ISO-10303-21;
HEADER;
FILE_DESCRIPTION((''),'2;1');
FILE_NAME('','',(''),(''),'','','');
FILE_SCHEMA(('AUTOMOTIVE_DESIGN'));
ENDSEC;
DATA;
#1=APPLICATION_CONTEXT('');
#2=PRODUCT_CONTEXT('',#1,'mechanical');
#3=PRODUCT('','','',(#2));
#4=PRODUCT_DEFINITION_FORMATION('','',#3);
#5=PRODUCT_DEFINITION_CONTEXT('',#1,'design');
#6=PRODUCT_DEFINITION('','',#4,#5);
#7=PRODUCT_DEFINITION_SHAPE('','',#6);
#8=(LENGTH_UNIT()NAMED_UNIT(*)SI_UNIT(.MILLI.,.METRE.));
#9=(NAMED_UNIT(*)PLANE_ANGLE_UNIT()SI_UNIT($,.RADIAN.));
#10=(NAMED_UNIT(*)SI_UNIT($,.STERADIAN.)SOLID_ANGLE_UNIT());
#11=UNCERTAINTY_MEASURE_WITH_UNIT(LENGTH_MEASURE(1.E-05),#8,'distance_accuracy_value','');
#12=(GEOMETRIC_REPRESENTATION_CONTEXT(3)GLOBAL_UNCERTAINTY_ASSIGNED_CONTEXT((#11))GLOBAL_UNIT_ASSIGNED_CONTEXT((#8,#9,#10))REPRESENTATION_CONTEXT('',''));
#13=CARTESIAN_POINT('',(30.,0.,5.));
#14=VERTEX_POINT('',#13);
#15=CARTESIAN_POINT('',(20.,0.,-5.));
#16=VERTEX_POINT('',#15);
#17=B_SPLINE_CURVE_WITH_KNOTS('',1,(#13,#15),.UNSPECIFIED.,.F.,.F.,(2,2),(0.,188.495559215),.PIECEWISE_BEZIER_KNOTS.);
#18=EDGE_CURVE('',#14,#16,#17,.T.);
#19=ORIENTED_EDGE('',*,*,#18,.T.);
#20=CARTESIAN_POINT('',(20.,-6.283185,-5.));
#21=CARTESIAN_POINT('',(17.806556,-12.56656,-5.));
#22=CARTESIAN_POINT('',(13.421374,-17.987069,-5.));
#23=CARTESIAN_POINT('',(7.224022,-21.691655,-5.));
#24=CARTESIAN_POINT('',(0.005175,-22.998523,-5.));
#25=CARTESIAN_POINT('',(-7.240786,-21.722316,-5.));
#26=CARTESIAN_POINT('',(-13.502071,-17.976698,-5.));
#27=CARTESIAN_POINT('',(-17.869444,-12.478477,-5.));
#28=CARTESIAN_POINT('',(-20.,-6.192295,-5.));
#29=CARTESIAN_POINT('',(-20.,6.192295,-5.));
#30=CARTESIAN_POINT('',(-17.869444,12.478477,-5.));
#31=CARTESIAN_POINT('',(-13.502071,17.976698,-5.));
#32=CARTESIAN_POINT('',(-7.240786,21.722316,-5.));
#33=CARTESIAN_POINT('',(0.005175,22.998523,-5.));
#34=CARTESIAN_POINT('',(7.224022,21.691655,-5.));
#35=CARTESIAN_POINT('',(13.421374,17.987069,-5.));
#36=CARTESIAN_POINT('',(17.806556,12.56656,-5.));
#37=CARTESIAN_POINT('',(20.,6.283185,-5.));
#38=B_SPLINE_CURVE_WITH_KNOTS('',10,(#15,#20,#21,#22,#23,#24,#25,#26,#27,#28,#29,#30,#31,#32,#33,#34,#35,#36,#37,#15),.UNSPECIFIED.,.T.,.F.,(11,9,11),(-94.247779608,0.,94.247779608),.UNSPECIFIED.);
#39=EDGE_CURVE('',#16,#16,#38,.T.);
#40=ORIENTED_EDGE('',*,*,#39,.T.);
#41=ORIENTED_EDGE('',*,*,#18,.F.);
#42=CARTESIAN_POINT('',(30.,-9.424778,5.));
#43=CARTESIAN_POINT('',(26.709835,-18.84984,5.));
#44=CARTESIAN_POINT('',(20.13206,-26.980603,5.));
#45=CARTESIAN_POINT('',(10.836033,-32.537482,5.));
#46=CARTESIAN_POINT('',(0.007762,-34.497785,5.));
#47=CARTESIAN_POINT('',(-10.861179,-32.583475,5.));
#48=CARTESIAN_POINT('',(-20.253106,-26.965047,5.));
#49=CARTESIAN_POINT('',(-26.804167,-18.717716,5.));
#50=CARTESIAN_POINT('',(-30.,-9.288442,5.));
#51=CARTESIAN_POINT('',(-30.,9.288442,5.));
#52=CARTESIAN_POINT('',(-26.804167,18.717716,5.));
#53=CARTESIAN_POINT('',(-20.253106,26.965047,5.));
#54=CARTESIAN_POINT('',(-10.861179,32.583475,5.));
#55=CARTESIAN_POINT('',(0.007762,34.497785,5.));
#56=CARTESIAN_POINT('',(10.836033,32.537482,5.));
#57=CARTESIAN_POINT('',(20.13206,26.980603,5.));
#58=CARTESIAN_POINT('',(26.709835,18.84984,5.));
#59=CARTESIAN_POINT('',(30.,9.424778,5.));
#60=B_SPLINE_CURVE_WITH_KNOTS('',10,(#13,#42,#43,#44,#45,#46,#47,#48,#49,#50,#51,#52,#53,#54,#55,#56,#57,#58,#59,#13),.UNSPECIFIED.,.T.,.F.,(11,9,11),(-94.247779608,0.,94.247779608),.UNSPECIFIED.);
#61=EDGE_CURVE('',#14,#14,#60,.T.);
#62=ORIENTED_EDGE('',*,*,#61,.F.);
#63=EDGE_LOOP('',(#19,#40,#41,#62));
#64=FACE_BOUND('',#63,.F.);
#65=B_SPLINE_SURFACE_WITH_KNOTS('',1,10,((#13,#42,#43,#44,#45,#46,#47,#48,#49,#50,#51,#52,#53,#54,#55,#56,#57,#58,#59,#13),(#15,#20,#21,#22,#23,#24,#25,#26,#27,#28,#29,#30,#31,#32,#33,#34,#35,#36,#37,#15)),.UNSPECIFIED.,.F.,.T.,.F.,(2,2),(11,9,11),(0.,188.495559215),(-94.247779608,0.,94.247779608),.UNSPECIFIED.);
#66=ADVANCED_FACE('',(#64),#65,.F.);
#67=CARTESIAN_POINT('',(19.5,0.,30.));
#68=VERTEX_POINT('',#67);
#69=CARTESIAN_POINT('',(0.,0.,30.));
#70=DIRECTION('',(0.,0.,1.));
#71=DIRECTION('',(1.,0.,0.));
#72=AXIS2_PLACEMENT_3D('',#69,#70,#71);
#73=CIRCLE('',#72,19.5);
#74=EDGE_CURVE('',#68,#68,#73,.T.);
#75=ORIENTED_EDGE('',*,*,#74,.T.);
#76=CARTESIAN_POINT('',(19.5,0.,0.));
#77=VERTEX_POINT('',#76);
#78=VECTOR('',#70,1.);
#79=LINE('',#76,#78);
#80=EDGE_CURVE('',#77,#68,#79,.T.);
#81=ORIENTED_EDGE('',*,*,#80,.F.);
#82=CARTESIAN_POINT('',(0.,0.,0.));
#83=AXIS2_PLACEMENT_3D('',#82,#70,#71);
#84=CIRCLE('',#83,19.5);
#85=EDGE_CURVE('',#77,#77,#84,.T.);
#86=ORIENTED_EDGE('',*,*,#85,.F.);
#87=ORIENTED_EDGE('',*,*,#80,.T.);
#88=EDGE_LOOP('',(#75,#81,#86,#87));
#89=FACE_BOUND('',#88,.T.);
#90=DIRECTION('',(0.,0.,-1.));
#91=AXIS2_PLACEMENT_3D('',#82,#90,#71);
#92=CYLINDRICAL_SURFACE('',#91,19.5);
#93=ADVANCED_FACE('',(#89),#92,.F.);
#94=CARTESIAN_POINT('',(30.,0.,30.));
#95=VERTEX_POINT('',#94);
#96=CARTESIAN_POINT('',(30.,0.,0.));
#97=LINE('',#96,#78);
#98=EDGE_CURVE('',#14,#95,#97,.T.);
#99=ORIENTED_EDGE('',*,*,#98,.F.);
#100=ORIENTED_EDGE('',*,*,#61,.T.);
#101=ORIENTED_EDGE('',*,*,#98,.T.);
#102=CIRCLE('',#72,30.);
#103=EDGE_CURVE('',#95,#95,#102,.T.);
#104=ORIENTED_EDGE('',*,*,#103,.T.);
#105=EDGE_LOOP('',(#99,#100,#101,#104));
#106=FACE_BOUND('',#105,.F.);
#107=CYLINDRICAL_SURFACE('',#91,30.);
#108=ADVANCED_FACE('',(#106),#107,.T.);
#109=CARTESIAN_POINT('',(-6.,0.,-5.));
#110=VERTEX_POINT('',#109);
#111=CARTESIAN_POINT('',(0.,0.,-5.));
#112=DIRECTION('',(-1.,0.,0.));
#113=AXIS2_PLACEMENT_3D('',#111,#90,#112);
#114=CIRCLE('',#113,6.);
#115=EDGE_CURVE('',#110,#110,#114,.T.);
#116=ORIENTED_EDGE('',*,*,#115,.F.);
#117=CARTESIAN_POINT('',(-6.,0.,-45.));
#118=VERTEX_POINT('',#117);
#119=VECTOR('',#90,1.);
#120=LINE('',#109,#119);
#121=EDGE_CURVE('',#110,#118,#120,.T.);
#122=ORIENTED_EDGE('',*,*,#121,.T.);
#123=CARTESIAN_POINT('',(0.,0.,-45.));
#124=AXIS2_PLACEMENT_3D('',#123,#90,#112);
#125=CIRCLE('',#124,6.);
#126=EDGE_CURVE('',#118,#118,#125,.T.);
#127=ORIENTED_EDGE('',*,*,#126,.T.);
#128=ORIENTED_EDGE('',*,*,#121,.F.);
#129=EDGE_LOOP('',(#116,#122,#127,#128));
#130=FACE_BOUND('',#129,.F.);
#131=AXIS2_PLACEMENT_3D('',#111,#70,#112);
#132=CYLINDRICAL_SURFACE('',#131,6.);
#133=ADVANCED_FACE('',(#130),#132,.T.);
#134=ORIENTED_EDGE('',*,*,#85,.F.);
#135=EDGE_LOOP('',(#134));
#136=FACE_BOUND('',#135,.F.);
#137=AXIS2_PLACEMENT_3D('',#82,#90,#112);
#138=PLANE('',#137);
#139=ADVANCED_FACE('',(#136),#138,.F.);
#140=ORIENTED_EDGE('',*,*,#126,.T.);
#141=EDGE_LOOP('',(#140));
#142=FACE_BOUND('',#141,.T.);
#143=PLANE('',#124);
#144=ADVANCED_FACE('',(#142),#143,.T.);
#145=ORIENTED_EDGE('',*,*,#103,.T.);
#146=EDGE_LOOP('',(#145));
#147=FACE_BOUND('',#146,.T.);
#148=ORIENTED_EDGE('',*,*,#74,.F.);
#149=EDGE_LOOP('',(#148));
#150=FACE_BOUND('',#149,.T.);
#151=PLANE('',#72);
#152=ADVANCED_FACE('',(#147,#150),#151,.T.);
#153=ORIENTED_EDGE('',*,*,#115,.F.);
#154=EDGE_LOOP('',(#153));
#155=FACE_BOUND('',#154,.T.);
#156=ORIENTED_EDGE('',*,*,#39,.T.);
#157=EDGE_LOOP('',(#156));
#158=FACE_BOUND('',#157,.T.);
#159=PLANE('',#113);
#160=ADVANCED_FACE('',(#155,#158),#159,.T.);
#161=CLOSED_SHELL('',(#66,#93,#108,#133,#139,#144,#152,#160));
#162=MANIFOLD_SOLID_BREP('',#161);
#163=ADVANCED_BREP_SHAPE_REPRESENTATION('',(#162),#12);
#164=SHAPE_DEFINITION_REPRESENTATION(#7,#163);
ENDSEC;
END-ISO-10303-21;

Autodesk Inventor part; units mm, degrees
ref_plane "YZ Plane" through (0, 0, 0) normal (1, 0, 0) x (0, 1, 0)
ref_plane "XZ Plane" through (0, 0, 0) normal (0, 1, 0) x (-1, 0, 0)
ref_plane "XY Plane" through (0, 0, 0) normal (0, 0, 1) x (1, 0, 0)
sketch "スケッチ1" plane through (0, 0, 0) normal (0, 0, 1) x (1, 0, 0)
  circle A0 centre (0, 0) radius 30
  circle A1 centre (0, 0) radius 19.5
  dimension "d0" = 60
  dimension "d1" = 39
extrude "押し出し1" add sketch "スケッチ1" along normal blind 30
sketch "スケッチ3" plane through (0, 0, 0) normal (0, 0, -1) x (-1, 0, 0)
  circle A0 centre (0, 0) radius 30 projected
  circle A1 centre (0, 0) radius 19.5 projected
extrude "押し出し2" add sketch "スケッチ3" along normal blind 5 contours A0 | A1
sketch "スケッチ4" plane through (0, 0, -5) normal (0, 0, -1) x (-1, 0, 0)
  circle A0 centre (0, 0) radius 6
  dimension "d6" = 12
extrude "押し出し3" add sketch "スケッチ4" along normal blind 40
chamfer "面取り1" distance 10 angle 45 1 edges at (30, 0, -5)
properties part number "encoder_shaft_3D プリント"
